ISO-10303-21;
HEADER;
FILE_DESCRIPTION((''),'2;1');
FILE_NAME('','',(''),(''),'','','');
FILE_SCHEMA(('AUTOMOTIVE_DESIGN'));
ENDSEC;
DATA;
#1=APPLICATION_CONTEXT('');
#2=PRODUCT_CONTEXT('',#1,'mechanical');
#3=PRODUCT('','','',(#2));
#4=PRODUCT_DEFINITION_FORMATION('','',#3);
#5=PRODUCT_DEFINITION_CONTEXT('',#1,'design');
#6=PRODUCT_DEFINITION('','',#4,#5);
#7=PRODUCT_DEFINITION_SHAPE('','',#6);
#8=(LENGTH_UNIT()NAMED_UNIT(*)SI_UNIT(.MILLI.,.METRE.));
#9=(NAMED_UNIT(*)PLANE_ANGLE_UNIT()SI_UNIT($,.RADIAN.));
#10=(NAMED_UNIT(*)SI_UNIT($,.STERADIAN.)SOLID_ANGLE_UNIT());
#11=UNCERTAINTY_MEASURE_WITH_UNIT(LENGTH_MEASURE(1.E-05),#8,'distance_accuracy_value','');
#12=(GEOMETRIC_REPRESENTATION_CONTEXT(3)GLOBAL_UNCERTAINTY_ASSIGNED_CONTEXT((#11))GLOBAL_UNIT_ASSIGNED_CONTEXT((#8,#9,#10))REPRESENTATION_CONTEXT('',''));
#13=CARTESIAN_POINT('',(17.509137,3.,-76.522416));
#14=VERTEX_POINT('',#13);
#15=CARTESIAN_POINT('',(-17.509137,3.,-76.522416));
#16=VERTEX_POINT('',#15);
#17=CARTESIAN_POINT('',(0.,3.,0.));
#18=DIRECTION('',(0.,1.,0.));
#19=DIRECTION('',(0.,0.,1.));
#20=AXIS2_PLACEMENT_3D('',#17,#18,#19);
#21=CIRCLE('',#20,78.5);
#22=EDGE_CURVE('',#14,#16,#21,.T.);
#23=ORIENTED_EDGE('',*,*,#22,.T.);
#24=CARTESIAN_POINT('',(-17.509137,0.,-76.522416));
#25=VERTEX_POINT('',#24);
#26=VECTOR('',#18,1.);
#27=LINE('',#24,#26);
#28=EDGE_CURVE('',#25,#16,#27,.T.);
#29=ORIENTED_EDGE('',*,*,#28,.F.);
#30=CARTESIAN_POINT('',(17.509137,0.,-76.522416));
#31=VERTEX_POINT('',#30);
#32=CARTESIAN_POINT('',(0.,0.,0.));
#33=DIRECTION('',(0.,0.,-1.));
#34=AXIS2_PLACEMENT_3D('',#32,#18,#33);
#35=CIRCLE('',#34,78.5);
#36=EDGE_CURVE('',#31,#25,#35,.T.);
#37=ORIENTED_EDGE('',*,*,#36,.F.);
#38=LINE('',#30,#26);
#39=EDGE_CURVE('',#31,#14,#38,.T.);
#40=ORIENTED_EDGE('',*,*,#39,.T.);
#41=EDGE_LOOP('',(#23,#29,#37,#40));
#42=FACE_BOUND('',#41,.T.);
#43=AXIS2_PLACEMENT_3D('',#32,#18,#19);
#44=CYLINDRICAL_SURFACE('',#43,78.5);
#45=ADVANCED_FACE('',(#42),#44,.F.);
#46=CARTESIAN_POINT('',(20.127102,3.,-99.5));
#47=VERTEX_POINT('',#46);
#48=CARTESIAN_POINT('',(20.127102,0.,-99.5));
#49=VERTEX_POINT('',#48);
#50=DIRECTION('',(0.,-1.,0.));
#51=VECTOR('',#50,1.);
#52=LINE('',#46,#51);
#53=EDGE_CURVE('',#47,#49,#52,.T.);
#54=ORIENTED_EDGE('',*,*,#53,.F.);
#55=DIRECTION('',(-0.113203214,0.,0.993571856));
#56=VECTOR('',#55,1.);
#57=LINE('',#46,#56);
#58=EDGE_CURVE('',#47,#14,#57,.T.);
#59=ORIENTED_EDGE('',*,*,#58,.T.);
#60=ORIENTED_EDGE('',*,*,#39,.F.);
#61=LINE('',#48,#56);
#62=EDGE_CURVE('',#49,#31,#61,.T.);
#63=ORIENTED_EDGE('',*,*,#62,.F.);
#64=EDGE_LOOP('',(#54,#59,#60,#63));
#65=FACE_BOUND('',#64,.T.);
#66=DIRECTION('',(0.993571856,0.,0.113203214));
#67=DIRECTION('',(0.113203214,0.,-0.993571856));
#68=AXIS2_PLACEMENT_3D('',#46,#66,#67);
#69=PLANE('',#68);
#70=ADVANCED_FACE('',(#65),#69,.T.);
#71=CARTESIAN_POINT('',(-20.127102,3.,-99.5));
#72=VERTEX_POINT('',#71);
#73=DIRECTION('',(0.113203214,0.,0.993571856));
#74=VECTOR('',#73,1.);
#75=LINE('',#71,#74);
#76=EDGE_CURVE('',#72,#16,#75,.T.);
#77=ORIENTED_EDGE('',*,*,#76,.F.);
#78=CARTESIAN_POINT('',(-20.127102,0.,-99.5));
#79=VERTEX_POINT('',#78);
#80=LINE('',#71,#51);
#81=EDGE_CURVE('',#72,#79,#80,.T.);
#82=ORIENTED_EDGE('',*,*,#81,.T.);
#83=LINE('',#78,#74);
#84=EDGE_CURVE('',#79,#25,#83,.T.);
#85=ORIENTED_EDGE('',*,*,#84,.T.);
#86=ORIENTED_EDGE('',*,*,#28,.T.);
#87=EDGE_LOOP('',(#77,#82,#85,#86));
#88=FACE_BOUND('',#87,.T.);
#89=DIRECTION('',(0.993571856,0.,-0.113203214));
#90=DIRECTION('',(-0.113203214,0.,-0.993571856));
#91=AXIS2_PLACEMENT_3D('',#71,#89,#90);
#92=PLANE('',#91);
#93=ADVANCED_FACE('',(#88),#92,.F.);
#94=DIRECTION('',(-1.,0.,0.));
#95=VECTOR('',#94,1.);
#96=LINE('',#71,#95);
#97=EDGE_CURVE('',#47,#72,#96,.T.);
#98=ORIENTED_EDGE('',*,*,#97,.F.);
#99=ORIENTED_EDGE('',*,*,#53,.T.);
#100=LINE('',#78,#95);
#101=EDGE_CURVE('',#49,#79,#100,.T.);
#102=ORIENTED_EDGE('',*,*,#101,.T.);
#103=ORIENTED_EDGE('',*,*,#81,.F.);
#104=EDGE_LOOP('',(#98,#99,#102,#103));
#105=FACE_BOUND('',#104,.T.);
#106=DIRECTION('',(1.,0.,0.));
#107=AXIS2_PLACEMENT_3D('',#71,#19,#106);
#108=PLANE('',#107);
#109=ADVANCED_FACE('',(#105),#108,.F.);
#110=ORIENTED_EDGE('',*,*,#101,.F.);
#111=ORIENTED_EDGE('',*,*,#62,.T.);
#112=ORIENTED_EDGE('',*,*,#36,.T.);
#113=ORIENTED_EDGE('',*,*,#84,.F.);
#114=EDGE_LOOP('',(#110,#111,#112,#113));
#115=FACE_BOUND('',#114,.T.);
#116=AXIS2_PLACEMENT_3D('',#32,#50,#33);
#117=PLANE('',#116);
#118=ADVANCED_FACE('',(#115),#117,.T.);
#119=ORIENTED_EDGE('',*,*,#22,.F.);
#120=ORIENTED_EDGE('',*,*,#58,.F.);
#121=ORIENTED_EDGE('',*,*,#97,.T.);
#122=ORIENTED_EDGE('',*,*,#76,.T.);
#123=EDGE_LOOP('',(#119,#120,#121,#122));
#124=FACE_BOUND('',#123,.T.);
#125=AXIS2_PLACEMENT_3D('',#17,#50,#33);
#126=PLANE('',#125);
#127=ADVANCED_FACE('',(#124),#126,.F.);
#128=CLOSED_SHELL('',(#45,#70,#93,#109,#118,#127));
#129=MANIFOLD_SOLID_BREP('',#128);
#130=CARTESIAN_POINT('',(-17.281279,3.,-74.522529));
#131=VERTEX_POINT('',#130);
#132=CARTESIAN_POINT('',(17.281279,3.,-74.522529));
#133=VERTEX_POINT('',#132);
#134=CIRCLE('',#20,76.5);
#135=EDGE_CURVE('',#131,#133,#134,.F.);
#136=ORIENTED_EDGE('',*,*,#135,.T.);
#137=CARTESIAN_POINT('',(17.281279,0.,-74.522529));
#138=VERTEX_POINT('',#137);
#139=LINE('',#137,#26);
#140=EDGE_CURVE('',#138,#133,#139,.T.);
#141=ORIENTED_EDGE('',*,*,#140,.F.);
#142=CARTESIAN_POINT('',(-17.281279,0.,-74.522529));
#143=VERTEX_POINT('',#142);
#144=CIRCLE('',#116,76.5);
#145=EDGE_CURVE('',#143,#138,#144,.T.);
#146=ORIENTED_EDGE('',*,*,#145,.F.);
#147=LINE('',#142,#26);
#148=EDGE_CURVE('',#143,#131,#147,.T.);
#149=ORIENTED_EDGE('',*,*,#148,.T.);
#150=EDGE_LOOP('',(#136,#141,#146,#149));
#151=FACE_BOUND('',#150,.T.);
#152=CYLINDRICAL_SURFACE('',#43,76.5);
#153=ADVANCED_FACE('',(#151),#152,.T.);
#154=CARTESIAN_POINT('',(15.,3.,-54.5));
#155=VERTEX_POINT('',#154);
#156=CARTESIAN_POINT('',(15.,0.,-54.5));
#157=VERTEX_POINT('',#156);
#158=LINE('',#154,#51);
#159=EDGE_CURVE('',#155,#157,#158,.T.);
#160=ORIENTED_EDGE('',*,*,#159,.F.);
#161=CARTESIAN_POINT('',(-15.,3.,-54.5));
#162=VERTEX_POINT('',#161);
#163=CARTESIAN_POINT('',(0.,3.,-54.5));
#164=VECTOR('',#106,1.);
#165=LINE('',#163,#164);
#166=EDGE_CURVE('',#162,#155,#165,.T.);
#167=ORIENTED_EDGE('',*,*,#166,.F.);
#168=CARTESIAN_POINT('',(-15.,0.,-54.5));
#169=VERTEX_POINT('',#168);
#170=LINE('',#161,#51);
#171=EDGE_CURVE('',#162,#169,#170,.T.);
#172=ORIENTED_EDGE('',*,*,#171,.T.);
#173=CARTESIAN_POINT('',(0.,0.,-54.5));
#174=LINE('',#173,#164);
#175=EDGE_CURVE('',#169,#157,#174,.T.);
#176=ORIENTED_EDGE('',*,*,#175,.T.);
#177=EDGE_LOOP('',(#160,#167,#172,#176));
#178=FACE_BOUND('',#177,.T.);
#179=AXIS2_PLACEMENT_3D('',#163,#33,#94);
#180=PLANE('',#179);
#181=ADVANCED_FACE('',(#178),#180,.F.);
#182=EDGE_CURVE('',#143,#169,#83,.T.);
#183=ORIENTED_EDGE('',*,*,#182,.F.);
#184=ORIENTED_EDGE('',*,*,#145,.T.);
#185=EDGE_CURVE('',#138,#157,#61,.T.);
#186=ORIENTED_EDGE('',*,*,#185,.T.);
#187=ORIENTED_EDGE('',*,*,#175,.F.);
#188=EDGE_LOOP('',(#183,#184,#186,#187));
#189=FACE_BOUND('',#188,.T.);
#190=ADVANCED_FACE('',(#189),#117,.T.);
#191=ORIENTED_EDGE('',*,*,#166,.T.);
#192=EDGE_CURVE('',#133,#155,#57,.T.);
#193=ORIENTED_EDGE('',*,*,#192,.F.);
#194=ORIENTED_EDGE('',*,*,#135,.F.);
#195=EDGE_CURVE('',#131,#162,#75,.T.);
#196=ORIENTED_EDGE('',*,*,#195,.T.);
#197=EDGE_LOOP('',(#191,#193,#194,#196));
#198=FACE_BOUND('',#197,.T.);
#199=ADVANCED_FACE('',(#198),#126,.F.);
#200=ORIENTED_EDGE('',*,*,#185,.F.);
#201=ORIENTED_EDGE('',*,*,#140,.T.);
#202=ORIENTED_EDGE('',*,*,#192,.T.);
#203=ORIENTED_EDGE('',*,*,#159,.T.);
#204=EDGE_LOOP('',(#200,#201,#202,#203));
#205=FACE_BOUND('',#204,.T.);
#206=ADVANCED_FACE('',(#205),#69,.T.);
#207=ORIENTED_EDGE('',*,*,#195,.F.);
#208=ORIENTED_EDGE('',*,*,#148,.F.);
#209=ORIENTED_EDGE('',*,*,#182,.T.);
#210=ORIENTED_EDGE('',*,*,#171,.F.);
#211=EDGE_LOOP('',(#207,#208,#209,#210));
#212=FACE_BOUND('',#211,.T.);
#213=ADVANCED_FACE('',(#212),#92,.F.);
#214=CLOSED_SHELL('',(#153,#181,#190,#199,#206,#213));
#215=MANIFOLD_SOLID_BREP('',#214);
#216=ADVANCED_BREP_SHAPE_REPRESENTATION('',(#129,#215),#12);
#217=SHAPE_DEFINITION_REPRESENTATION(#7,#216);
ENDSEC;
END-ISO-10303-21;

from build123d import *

# Parameters (mm, degrees)
BOSS_EXTRUDE1_DEPTH     = 3
CUT_EXTRUDE1_DEPTH      = 1
CUT_EXTRUDE1_DEPTH_BACK = 4


with BuildPart() as part:
    # Sketch1 → Boss-Extrude1 (new body)
    with BuildSketch(Plane(origin=(0, 0, 0), x_dir=(1, 0, 0), z_dir=(0, 1, 0))):
        Polygon((-20.127102374, 99.5), (-15, 54.5), (0, 54.5), (0, 99.5), align=None)
    boss_extrude1 = extrude(amount=BOSS_EXTRUDE1_DEPTH)

    # Mirror2: Boss-Extrude1 across plane
    add(boss_extrude1.mirror(Plane(origin=(0, 0, 0), x_dir=(0, 0, 1), z_dir=(1, 0, 0))))

    # Sketch2 → Cut-Extrude1 (cut, two sides)
    with BuildSketch(Plane(origin=(0, 3, 0), x_dir=(1, 0, 0), z_dir=(0, 1, 0))) as cut_extrude1_sk:
        with BuildLine():
            Line((-17.281279071, 74.522529437), (-17.509137333, 76.522415735))
            ThreePointArc((-17.509137333, 76.522415735), (0, 78.5), (17.509137333, 76.522415735))
            Line((17.509137333, 76.522415735), (17.281279071, 74.522529437))
            ThreePointArc((17.281279071, 74.522529437), (0, 76.5), (-17.281279071, 74.522529437))
        make_face()
    extrude(amount=CUT_EXTRUDE1_DEPTH, mode=Mode.SUBTRACT)
    extrude(cut_extrude1_sk.sketch, amount=-CUT_EXTRUDE1_DEPTH_BACK, mode=Mode.SUBTRACT)


solid = part.part
